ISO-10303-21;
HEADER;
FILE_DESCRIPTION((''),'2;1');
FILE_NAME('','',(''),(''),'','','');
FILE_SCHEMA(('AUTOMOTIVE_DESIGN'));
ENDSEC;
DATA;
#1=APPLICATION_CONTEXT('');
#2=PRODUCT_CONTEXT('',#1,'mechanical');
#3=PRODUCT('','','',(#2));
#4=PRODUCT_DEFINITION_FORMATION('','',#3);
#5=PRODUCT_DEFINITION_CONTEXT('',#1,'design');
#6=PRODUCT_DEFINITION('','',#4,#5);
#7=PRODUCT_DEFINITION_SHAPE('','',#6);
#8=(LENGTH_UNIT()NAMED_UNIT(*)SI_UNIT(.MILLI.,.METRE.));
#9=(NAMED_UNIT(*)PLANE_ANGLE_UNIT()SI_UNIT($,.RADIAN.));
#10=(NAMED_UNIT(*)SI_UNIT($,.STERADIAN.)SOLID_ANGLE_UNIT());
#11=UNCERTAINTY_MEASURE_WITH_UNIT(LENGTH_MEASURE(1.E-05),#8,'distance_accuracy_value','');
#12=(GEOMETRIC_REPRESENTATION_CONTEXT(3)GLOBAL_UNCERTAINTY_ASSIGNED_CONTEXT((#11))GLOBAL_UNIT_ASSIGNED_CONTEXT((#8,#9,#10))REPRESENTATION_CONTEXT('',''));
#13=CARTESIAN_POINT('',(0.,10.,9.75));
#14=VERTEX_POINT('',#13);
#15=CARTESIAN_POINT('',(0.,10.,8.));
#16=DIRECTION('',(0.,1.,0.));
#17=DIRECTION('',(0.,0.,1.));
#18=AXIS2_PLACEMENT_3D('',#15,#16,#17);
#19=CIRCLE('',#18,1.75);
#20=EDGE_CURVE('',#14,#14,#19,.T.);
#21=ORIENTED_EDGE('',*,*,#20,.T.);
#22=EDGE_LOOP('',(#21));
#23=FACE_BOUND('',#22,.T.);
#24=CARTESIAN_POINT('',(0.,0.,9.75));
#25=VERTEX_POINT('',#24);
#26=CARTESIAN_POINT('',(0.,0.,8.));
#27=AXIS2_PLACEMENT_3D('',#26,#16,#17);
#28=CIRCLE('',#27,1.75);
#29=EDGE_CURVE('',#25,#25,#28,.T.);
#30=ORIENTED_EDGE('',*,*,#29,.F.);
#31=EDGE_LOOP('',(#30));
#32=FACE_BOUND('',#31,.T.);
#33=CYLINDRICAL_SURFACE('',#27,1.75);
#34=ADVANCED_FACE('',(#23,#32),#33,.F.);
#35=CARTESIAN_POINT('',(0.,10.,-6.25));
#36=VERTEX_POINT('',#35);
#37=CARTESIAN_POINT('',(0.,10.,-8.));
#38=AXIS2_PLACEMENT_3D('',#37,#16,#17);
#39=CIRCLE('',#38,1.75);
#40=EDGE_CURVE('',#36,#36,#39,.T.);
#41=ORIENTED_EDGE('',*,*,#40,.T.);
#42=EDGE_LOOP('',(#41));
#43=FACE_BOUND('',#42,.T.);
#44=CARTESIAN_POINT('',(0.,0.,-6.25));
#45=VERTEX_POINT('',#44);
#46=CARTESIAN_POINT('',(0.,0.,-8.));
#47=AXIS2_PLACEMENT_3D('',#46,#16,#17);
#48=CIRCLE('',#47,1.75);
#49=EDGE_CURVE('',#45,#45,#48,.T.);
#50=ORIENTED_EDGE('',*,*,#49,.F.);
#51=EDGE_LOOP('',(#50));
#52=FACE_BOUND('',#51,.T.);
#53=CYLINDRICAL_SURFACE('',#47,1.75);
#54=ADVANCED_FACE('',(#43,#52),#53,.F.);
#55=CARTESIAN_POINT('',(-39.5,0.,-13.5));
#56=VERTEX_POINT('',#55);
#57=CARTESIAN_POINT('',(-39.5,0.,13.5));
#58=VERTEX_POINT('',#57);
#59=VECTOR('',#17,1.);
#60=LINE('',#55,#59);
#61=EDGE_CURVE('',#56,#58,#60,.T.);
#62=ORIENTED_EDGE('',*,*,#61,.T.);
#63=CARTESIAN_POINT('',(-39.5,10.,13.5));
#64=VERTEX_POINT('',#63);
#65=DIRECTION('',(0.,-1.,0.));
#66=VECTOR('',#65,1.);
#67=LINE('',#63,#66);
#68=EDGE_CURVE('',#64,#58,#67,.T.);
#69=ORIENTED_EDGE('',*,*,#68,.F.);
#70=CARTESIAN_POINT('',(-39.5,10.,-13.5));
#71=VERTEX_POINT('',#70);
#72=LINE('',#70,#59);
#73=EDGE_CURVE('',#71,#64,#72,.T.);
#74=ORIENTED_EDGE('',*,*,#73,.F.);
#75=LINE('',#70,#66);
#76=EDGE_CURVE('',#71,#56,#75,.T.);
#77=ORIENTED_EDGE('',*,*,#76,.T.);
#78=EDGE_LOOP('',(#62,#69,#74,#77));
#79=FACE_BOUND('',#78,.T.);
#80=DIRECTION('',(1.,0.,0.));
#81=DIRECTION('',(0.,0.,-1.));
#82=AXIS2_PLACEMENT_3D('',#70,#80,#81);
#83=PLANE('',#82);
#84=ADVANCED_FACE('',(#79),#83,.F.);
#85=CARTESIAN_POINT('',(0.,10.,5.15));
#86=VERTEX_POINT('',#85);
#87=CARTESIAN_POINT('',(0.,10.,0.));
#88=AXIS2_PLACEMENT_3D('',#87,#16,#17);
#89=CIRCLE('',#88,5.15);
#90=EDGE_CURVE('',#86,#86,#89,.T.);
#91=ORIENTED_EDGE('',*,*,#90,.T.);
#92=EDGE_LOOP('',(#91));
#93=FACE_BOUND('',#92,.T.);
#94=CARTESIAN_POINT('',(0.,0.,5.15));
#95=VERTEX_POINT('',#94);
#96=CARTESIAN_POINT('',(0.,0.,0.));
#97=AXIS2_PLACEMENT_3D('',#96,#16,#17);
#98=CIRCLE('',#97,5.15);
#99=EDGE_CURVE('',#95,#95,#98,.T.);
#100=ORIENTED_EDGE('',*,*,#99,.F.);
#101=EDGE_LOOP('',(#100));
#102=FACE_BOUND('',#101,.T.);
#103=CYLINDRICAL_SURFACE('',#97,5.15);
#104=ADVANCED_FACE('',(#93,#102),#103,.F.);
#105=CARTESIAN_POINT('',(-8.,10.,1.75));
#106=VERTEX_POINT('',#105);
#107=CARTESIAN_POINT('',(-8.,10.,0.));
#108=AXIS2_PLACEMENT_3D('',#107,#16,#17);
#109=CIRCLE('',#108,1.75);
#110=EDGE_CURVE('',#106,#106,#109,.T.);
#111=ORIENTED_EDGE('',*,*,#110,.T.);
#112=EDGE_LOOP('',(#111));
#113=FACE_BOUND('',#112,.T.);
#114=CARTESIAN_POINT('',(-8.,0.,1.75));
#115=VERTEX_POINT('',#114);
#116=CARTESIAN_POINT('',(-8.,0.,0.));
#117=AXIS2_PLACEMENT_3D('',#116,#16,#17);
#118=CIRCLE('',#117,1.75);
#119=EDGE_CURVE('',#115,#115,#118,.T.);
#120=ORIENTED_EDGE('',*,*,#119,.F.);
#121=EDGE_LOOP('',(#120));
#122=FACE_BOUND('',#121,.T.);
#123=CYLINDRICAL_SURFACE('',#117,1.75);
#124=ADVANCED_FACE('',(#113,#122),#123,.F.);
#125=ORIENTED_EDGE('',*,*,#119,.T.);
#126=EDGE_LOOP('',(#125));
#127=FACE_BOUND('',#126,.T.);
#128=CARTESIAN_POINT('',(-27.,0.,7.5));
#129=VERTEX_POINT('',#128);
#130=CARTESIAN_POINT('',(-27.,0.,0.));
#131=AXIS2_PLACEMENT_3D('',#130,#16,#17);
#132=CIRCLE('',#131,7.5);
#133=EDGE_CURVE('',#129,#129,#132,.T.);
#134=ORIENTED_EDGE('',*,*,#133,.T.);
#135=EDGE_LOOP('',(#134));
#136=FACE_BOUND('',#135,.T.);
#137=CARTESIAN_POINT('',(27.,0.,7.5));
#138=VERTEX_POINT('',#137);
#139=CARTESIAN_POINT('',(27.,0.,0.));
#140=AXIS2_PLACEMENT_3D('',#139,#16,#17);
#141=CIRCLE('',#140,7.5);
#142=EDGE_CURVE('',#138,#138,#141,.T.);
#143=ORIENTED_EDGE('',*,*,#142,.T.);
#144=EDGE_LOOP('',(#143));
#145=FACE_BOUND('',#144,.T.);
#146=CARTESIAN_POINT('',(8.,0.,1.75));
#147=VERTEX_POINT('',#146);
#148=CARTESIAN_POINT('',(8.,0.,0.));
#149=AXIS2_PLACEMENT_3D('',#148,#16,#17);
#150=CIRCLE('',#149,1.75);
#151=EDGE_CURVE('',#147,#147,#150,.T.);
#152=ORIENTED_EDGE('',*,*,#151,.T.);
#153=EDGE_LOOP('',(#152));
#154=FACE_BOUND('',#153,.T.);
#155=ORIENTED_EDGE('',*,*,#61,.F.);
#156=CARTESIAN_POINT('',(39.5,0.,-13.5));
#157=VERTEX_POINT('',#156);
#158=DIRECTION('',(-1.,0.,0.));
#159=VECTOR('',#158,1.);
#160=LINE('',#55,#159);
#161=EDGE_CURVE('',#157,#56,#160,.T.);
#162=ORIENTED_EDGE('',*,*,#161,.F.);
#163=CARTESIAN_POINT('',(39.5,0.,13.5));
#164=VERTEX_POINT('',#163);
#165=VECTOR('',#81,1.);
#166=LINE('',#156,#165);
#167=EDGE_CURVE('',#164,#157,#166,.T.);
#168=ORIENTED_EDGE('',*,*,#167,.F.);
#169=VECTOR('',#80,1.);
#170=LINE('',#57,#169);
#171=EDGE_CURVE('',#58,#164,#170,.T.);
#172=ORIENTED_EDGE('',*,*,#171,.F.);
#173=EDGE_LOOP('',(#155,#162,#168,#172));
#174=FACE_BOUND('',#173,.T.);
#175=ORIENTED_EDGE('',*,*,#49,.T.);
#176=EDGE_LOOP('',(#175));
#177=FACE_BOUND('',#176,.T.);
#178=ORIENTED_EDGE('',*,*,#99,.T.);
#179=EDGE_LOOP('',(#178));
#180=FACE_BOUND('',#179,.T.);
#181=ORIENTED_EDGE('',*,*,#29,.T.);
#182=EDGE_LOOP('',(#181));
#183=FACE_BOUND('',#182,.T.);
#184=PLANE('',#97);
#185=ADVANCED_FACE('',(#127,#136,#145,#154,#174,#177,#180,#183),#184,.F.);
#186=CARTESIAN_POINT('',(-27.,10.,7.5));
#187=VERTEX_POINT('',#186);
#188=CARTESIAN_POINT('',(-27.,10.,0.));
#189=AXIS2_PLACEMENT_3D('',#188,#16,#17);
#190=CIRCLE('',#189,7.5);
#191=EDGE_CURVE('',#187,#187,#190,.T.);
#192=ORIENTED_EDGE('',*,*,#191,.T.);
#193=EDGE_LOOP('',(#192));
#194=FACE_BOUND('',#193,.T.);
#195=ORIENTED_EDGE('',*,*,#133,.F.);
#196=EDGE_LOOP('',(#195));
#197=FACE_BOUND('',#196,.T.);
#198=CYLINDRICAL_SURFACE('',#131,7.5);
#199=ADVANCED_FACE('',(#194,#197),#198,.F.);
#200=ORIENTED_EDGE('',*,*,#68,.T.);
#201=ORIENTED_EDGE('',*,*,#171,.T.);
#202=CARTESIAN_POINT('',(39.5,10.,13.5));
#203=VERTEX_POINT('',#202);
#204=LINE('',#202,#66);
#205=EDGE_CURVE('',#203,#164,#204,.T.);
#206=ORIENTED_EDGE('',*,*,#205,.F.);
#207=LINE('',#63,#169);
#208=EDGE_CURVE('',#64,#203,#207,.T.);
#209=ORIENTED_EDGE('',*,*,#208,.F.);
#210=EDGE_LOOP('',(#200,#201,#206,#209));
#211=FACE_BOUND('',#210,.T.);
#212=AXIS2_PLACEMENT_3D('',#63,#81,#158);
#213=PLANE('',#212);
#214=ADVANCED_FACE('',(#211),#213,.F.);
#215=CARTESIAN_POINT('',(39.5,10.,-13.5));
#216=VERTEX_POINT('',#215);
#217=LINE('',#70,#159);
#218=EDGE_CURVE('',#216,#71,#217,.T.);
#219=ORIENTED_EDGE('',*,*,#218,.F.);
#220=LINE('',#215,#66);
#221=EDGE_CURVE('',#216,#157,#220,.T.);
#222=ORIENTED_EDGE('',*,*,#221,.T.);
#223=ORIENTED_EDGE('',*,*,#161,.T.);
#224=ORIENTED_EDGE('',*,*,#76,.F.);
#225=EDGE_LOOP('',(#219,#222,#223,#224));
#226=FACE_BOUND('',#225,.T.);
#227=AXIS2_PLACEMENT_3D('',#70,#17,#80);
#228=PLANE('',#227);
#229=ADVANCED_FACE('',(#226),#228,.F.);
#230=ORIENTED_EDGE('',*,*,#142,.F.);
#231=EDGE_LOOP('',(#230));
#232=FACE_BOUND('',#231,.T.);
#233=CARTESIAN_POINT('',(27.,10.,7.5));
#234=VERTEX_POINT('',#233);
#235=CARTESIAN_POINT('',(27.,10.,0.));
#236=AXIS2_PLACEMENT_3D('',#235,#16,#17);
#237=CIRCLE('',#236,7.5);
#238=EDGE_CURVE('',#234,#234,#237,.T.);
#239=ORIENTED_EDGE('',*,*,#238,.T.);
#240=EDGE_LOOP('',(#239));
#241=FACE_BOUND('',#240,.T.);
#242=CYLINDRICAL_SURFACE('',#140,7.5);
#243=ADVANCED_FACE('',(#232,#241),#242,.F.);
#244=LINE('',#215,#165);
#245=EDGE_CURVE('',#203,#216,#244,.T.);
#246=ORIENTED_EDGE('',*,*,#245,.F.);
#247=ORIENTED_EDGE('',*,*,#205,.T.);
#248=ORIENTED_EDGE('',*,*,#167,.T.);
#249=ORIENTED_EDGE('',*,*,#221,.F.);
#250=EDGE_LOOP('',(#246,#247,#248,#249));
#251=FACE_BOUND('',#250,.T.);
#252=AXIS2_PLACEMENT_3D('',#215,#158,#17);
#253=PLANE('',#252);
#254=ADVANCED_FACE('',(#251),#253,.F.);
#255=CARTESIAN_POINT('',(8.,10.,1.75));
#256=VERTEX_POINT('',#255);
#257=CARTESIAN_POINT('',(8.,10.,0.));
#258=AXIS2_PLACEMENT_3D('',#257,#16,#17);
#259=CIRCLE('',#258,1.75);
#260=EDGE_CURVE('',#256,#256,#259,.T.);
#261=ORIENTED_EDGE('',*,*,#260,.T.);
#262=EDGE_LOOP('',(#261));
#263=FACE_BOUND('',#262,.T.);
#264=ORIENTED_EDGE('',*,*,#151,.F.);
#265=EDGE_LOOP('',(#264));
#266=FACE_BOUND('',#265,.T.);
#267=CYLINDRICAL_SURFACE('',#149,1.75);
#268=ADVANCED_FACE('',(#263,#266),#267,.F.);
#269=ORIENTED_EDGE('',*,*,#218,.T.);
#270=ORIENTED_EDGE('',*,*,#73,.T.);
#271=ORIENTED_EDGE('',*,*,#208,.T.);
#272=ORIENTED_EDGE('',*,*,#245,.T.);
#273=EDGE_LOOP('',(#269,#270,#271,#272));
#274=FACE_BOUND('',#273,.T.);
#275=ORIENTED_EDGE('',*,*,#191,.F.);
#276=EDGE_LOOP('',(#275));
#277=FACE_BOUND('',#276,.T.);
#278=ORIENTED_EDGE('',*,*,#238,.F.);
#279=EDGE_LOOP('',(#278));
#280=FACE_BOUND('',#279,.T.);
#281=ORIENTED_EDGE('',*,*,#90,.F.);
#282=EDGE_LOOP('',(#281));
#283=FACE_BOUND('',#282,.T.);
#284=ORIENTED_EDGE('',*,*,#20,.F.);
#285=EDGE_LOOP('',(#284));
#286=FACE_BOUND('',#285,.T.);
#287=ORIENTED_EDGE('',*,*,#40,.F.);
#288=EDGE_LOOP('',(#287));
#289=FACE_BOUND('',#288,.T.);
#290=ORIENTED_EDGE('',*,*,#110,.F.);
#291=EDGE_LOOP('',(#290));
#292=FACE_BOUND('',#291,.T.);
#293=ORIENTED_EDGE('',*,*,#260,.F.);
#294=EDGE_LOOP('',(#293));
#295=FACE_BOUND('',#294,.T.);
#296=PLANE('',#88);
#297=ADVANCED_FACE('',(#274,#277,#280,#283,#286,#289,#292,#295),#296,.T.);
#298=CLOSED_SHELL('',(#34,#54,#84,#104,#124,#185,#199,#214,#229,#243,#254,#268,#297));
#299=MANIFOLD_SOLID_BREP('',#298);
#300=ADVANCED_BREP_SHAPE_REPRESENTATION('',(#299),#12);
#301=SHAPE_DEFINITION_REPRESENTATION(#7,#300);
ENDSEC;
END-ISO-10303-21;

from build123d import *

# Parameters (mm, degrees)
SKETCH_1_W          = 79
SKETCH_1_H          = 27
EXTRUDE_1_DEPTH     = 10
SKETCH_3_R          = 7.5
CUT_EXTRUDE_1_DEPTH = 43.924352063
SKETCH_4_R          = 5.15
CUT_EXTRUDE_2_DEPTH = 43.924352063
SKETCH_5_R          = 1.75
CUT_EXTRUDE_3_DEPTH = 43.924352063


with BuildPart() as part:
    # 草图1 → 凸台-拉伸1 (new body)
    with BuildSketch(Plane(origin=(0, 0, 0), x_dir=(1, 0, 0), z_dir=(0, 1, 0))):
        Rectangle(SKETCH_1_W, SKETCH_1_H)
    extrude(amount=EXTRUDE_1_DEPTH)

    # 草图3 → 切除-拉伸1 (cut, through all)
    with BuildSketch(Plane(origin=(0, 10, 0), x_dir=(1, 0, 0), z_dir=(0, 1, 0))):
        with Locations(Location((-27, 0, 0), (0, 0, 270))):
            Circle(SKETCH_3_R)
        with Locations(Location((27, 0, 0), (0, 0, 270))):
            Circle(SKETCH_3_R)
    extrude(amount=-CUT_EXTRUDE_1_DEPTH, mode=Mode.SUBTRACT)

    # 草图4 → 切除-拉伸2 (cut, through all)
    with BuildSketch(Plane(origin=(0, 10, 0), x_dir=(1, 0, 0), z_dir=(0, 1, 0))):
        with Locations(Location((0, 0, 0), (0, 0, 270))):
            Circle(SKETCH_4_R)
    extrude(amount=-CUT_EXTRUDE_2_DEPTH, mode=Mode.SUBTRACT)

    # 草图5 → 切除-拉伸3 (cut, through all)
    with BuildSketch(Plane(origin=(0, 10, 0), x_dir=(1, 0, 0), z_dir=(0, 1, 0))):
        with Locations(Location((8, 0, 0), (0, 0, 270))):
            Circle(SKETCH_5_R)
        with Locations(Location((0, -8, 0), (0, 0, 270))):
            Circle(SKETCH_5_R)
        with Locations(Location((-8, 0, 0), (0, 0, 270))):
            Circle(SKETCH_5_R)
        with Locations(Location((0, 8, 0), (0, 0, 270))):
            Circle(SKETCH_5_R)
    extrude(amount=-CUT_EXTRUDE_3_DEPTH, mode=Mode.SUBTRACT)


solid = part.part
